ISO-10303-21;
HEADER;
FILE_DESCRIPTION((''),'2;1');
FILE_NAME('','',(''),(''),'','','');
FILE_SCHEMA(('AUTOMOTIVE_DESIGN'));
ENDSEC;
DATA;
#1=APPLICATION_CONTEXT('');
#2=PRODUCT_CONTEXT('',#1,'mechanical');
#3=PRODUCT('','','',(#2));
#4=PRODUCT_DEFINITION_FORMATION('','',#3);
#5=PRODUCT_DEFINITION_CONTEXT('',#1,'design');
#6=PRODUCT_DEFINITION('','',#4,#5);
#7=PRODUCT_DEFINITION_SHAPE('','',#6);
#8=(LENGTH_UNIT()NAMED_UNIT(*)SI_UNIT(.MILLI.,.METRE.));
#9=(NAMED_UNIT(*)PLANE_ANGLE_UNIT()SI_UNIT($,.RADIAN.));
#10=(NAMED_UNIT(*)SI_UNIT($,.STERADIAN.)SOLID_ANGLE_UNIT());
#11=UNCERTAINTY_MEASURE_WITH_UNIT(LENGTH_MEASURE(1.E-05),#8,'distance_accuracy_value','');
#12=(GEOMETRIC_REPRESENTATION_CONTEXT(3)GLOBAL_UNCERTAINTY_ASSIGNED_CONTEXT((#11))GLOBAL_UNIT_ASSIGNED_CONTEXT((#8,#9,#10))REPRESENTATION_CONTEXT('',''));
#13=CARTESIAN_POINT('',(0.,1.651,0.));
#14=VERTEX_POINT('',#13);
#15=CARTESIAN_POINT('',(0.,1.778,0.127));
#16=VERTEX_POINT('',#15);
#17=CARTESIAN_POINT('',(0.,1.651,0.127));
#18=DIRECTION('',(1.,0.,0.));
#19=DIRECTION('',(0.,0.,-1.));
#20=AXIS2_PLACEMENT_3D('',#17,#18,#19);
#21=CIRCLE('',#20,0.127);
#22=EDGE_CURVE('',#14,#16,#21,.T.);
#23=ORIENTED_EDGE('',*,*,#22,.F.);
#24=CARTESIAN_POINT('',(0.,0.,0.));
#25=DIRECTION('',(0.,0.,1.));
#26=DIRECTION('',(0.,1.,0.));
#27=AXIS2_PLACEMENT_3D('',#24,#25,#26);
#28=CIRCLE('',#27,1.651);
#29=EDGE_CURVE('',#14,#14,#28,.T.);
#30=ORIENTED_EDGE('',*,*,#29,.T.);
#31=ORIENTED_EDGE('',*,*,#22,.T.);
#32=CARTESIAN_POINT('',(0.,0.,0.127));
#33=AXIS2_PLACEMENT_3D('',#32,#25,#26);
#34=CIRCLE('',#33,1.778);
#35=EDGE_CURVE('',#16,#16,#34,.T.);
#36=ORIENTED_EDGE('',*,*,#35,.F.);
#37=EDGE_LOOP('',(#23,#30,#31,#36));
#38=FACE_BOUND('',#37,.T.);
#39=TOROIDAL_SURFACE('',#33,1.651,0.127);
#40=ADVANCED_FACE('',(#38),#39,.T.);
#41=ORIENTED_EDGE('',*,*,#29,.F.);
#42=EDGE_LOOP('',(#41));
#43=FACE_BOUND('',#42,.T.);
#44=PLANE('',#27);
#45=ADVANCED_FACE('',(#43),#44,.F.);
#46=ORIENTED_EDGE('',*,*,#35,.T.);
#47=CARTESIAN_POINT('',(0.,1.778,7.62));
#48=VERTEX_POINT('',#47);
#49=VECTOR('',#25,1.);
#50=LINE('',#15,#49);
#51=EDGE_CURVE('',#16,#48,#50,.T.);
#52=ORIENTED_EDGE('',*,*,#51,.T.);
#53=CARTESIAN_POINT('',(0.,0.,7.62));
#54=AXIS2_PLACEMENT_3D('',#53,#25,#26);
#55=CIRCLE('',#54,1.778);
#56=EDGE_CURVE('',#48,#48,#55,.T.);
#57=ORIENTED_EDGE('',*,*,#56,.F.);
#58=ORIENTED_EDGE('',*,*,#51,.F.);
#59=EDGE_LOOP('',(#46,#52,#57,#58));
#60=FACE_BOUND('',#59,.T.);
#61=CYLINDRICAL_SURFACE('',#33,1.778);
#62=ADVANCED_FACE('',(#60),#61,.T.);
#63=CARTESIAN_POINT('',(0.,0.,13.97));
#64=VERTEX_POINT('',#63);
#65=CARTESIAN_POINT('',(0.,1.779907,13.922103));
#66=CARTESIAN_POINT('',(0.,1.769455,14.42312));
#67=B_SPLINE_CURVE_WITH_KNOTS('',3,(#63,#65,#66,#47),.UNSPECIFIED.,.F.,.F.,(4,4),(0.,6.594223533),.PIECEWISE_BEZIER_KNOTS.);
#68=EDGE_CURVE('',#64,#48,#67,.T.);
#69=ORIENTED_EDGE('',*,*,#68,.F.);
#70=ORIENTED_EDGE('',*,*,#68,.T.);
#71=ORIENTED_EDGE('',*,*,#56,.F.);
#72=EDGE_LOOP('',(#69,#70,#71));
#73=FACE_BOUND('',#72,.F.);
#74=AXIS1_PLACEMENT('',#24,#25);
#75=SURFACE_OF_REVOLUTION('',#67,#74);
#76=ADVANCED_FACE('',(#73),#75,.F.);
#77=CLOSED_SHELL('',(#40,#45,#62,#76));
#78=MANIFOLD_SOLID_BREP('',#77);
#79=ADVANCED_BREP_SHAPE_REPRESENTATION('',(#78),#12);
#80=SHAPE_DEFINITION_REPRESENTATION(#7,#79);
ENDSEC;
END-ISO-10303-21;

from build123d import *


with BuildPart() as f2:
    # F0 (on Right) → F2 (revolve)
    with BuildSketch(Plane.YZ):
        with BuildLine():
            Line((0, 13.97), (0, 0))
            Line((0, 0), (1.651, 0))
            ThreePointArc((1.651, 0), (1.7408025612, 0.0371974388), (1.778, 0.127))
            Line((1.778, 0.127), (1.778, 7.62))
            add(Edge.make_bspline(
                [(0, 13.97), (1.7799074994, 13.9221027493), (1.7694552662, 14.4231198356), (1.778, 7.62)],
                knots=[0, 0, 0, 0, 6.5942235328, 6.5942235328, 6.5942235328, 6.5942235328], degree=3))
        make_face()
    revolve(axis=Axis((0, 0, 0), (0, 0, 1)))


solid = f2.part
